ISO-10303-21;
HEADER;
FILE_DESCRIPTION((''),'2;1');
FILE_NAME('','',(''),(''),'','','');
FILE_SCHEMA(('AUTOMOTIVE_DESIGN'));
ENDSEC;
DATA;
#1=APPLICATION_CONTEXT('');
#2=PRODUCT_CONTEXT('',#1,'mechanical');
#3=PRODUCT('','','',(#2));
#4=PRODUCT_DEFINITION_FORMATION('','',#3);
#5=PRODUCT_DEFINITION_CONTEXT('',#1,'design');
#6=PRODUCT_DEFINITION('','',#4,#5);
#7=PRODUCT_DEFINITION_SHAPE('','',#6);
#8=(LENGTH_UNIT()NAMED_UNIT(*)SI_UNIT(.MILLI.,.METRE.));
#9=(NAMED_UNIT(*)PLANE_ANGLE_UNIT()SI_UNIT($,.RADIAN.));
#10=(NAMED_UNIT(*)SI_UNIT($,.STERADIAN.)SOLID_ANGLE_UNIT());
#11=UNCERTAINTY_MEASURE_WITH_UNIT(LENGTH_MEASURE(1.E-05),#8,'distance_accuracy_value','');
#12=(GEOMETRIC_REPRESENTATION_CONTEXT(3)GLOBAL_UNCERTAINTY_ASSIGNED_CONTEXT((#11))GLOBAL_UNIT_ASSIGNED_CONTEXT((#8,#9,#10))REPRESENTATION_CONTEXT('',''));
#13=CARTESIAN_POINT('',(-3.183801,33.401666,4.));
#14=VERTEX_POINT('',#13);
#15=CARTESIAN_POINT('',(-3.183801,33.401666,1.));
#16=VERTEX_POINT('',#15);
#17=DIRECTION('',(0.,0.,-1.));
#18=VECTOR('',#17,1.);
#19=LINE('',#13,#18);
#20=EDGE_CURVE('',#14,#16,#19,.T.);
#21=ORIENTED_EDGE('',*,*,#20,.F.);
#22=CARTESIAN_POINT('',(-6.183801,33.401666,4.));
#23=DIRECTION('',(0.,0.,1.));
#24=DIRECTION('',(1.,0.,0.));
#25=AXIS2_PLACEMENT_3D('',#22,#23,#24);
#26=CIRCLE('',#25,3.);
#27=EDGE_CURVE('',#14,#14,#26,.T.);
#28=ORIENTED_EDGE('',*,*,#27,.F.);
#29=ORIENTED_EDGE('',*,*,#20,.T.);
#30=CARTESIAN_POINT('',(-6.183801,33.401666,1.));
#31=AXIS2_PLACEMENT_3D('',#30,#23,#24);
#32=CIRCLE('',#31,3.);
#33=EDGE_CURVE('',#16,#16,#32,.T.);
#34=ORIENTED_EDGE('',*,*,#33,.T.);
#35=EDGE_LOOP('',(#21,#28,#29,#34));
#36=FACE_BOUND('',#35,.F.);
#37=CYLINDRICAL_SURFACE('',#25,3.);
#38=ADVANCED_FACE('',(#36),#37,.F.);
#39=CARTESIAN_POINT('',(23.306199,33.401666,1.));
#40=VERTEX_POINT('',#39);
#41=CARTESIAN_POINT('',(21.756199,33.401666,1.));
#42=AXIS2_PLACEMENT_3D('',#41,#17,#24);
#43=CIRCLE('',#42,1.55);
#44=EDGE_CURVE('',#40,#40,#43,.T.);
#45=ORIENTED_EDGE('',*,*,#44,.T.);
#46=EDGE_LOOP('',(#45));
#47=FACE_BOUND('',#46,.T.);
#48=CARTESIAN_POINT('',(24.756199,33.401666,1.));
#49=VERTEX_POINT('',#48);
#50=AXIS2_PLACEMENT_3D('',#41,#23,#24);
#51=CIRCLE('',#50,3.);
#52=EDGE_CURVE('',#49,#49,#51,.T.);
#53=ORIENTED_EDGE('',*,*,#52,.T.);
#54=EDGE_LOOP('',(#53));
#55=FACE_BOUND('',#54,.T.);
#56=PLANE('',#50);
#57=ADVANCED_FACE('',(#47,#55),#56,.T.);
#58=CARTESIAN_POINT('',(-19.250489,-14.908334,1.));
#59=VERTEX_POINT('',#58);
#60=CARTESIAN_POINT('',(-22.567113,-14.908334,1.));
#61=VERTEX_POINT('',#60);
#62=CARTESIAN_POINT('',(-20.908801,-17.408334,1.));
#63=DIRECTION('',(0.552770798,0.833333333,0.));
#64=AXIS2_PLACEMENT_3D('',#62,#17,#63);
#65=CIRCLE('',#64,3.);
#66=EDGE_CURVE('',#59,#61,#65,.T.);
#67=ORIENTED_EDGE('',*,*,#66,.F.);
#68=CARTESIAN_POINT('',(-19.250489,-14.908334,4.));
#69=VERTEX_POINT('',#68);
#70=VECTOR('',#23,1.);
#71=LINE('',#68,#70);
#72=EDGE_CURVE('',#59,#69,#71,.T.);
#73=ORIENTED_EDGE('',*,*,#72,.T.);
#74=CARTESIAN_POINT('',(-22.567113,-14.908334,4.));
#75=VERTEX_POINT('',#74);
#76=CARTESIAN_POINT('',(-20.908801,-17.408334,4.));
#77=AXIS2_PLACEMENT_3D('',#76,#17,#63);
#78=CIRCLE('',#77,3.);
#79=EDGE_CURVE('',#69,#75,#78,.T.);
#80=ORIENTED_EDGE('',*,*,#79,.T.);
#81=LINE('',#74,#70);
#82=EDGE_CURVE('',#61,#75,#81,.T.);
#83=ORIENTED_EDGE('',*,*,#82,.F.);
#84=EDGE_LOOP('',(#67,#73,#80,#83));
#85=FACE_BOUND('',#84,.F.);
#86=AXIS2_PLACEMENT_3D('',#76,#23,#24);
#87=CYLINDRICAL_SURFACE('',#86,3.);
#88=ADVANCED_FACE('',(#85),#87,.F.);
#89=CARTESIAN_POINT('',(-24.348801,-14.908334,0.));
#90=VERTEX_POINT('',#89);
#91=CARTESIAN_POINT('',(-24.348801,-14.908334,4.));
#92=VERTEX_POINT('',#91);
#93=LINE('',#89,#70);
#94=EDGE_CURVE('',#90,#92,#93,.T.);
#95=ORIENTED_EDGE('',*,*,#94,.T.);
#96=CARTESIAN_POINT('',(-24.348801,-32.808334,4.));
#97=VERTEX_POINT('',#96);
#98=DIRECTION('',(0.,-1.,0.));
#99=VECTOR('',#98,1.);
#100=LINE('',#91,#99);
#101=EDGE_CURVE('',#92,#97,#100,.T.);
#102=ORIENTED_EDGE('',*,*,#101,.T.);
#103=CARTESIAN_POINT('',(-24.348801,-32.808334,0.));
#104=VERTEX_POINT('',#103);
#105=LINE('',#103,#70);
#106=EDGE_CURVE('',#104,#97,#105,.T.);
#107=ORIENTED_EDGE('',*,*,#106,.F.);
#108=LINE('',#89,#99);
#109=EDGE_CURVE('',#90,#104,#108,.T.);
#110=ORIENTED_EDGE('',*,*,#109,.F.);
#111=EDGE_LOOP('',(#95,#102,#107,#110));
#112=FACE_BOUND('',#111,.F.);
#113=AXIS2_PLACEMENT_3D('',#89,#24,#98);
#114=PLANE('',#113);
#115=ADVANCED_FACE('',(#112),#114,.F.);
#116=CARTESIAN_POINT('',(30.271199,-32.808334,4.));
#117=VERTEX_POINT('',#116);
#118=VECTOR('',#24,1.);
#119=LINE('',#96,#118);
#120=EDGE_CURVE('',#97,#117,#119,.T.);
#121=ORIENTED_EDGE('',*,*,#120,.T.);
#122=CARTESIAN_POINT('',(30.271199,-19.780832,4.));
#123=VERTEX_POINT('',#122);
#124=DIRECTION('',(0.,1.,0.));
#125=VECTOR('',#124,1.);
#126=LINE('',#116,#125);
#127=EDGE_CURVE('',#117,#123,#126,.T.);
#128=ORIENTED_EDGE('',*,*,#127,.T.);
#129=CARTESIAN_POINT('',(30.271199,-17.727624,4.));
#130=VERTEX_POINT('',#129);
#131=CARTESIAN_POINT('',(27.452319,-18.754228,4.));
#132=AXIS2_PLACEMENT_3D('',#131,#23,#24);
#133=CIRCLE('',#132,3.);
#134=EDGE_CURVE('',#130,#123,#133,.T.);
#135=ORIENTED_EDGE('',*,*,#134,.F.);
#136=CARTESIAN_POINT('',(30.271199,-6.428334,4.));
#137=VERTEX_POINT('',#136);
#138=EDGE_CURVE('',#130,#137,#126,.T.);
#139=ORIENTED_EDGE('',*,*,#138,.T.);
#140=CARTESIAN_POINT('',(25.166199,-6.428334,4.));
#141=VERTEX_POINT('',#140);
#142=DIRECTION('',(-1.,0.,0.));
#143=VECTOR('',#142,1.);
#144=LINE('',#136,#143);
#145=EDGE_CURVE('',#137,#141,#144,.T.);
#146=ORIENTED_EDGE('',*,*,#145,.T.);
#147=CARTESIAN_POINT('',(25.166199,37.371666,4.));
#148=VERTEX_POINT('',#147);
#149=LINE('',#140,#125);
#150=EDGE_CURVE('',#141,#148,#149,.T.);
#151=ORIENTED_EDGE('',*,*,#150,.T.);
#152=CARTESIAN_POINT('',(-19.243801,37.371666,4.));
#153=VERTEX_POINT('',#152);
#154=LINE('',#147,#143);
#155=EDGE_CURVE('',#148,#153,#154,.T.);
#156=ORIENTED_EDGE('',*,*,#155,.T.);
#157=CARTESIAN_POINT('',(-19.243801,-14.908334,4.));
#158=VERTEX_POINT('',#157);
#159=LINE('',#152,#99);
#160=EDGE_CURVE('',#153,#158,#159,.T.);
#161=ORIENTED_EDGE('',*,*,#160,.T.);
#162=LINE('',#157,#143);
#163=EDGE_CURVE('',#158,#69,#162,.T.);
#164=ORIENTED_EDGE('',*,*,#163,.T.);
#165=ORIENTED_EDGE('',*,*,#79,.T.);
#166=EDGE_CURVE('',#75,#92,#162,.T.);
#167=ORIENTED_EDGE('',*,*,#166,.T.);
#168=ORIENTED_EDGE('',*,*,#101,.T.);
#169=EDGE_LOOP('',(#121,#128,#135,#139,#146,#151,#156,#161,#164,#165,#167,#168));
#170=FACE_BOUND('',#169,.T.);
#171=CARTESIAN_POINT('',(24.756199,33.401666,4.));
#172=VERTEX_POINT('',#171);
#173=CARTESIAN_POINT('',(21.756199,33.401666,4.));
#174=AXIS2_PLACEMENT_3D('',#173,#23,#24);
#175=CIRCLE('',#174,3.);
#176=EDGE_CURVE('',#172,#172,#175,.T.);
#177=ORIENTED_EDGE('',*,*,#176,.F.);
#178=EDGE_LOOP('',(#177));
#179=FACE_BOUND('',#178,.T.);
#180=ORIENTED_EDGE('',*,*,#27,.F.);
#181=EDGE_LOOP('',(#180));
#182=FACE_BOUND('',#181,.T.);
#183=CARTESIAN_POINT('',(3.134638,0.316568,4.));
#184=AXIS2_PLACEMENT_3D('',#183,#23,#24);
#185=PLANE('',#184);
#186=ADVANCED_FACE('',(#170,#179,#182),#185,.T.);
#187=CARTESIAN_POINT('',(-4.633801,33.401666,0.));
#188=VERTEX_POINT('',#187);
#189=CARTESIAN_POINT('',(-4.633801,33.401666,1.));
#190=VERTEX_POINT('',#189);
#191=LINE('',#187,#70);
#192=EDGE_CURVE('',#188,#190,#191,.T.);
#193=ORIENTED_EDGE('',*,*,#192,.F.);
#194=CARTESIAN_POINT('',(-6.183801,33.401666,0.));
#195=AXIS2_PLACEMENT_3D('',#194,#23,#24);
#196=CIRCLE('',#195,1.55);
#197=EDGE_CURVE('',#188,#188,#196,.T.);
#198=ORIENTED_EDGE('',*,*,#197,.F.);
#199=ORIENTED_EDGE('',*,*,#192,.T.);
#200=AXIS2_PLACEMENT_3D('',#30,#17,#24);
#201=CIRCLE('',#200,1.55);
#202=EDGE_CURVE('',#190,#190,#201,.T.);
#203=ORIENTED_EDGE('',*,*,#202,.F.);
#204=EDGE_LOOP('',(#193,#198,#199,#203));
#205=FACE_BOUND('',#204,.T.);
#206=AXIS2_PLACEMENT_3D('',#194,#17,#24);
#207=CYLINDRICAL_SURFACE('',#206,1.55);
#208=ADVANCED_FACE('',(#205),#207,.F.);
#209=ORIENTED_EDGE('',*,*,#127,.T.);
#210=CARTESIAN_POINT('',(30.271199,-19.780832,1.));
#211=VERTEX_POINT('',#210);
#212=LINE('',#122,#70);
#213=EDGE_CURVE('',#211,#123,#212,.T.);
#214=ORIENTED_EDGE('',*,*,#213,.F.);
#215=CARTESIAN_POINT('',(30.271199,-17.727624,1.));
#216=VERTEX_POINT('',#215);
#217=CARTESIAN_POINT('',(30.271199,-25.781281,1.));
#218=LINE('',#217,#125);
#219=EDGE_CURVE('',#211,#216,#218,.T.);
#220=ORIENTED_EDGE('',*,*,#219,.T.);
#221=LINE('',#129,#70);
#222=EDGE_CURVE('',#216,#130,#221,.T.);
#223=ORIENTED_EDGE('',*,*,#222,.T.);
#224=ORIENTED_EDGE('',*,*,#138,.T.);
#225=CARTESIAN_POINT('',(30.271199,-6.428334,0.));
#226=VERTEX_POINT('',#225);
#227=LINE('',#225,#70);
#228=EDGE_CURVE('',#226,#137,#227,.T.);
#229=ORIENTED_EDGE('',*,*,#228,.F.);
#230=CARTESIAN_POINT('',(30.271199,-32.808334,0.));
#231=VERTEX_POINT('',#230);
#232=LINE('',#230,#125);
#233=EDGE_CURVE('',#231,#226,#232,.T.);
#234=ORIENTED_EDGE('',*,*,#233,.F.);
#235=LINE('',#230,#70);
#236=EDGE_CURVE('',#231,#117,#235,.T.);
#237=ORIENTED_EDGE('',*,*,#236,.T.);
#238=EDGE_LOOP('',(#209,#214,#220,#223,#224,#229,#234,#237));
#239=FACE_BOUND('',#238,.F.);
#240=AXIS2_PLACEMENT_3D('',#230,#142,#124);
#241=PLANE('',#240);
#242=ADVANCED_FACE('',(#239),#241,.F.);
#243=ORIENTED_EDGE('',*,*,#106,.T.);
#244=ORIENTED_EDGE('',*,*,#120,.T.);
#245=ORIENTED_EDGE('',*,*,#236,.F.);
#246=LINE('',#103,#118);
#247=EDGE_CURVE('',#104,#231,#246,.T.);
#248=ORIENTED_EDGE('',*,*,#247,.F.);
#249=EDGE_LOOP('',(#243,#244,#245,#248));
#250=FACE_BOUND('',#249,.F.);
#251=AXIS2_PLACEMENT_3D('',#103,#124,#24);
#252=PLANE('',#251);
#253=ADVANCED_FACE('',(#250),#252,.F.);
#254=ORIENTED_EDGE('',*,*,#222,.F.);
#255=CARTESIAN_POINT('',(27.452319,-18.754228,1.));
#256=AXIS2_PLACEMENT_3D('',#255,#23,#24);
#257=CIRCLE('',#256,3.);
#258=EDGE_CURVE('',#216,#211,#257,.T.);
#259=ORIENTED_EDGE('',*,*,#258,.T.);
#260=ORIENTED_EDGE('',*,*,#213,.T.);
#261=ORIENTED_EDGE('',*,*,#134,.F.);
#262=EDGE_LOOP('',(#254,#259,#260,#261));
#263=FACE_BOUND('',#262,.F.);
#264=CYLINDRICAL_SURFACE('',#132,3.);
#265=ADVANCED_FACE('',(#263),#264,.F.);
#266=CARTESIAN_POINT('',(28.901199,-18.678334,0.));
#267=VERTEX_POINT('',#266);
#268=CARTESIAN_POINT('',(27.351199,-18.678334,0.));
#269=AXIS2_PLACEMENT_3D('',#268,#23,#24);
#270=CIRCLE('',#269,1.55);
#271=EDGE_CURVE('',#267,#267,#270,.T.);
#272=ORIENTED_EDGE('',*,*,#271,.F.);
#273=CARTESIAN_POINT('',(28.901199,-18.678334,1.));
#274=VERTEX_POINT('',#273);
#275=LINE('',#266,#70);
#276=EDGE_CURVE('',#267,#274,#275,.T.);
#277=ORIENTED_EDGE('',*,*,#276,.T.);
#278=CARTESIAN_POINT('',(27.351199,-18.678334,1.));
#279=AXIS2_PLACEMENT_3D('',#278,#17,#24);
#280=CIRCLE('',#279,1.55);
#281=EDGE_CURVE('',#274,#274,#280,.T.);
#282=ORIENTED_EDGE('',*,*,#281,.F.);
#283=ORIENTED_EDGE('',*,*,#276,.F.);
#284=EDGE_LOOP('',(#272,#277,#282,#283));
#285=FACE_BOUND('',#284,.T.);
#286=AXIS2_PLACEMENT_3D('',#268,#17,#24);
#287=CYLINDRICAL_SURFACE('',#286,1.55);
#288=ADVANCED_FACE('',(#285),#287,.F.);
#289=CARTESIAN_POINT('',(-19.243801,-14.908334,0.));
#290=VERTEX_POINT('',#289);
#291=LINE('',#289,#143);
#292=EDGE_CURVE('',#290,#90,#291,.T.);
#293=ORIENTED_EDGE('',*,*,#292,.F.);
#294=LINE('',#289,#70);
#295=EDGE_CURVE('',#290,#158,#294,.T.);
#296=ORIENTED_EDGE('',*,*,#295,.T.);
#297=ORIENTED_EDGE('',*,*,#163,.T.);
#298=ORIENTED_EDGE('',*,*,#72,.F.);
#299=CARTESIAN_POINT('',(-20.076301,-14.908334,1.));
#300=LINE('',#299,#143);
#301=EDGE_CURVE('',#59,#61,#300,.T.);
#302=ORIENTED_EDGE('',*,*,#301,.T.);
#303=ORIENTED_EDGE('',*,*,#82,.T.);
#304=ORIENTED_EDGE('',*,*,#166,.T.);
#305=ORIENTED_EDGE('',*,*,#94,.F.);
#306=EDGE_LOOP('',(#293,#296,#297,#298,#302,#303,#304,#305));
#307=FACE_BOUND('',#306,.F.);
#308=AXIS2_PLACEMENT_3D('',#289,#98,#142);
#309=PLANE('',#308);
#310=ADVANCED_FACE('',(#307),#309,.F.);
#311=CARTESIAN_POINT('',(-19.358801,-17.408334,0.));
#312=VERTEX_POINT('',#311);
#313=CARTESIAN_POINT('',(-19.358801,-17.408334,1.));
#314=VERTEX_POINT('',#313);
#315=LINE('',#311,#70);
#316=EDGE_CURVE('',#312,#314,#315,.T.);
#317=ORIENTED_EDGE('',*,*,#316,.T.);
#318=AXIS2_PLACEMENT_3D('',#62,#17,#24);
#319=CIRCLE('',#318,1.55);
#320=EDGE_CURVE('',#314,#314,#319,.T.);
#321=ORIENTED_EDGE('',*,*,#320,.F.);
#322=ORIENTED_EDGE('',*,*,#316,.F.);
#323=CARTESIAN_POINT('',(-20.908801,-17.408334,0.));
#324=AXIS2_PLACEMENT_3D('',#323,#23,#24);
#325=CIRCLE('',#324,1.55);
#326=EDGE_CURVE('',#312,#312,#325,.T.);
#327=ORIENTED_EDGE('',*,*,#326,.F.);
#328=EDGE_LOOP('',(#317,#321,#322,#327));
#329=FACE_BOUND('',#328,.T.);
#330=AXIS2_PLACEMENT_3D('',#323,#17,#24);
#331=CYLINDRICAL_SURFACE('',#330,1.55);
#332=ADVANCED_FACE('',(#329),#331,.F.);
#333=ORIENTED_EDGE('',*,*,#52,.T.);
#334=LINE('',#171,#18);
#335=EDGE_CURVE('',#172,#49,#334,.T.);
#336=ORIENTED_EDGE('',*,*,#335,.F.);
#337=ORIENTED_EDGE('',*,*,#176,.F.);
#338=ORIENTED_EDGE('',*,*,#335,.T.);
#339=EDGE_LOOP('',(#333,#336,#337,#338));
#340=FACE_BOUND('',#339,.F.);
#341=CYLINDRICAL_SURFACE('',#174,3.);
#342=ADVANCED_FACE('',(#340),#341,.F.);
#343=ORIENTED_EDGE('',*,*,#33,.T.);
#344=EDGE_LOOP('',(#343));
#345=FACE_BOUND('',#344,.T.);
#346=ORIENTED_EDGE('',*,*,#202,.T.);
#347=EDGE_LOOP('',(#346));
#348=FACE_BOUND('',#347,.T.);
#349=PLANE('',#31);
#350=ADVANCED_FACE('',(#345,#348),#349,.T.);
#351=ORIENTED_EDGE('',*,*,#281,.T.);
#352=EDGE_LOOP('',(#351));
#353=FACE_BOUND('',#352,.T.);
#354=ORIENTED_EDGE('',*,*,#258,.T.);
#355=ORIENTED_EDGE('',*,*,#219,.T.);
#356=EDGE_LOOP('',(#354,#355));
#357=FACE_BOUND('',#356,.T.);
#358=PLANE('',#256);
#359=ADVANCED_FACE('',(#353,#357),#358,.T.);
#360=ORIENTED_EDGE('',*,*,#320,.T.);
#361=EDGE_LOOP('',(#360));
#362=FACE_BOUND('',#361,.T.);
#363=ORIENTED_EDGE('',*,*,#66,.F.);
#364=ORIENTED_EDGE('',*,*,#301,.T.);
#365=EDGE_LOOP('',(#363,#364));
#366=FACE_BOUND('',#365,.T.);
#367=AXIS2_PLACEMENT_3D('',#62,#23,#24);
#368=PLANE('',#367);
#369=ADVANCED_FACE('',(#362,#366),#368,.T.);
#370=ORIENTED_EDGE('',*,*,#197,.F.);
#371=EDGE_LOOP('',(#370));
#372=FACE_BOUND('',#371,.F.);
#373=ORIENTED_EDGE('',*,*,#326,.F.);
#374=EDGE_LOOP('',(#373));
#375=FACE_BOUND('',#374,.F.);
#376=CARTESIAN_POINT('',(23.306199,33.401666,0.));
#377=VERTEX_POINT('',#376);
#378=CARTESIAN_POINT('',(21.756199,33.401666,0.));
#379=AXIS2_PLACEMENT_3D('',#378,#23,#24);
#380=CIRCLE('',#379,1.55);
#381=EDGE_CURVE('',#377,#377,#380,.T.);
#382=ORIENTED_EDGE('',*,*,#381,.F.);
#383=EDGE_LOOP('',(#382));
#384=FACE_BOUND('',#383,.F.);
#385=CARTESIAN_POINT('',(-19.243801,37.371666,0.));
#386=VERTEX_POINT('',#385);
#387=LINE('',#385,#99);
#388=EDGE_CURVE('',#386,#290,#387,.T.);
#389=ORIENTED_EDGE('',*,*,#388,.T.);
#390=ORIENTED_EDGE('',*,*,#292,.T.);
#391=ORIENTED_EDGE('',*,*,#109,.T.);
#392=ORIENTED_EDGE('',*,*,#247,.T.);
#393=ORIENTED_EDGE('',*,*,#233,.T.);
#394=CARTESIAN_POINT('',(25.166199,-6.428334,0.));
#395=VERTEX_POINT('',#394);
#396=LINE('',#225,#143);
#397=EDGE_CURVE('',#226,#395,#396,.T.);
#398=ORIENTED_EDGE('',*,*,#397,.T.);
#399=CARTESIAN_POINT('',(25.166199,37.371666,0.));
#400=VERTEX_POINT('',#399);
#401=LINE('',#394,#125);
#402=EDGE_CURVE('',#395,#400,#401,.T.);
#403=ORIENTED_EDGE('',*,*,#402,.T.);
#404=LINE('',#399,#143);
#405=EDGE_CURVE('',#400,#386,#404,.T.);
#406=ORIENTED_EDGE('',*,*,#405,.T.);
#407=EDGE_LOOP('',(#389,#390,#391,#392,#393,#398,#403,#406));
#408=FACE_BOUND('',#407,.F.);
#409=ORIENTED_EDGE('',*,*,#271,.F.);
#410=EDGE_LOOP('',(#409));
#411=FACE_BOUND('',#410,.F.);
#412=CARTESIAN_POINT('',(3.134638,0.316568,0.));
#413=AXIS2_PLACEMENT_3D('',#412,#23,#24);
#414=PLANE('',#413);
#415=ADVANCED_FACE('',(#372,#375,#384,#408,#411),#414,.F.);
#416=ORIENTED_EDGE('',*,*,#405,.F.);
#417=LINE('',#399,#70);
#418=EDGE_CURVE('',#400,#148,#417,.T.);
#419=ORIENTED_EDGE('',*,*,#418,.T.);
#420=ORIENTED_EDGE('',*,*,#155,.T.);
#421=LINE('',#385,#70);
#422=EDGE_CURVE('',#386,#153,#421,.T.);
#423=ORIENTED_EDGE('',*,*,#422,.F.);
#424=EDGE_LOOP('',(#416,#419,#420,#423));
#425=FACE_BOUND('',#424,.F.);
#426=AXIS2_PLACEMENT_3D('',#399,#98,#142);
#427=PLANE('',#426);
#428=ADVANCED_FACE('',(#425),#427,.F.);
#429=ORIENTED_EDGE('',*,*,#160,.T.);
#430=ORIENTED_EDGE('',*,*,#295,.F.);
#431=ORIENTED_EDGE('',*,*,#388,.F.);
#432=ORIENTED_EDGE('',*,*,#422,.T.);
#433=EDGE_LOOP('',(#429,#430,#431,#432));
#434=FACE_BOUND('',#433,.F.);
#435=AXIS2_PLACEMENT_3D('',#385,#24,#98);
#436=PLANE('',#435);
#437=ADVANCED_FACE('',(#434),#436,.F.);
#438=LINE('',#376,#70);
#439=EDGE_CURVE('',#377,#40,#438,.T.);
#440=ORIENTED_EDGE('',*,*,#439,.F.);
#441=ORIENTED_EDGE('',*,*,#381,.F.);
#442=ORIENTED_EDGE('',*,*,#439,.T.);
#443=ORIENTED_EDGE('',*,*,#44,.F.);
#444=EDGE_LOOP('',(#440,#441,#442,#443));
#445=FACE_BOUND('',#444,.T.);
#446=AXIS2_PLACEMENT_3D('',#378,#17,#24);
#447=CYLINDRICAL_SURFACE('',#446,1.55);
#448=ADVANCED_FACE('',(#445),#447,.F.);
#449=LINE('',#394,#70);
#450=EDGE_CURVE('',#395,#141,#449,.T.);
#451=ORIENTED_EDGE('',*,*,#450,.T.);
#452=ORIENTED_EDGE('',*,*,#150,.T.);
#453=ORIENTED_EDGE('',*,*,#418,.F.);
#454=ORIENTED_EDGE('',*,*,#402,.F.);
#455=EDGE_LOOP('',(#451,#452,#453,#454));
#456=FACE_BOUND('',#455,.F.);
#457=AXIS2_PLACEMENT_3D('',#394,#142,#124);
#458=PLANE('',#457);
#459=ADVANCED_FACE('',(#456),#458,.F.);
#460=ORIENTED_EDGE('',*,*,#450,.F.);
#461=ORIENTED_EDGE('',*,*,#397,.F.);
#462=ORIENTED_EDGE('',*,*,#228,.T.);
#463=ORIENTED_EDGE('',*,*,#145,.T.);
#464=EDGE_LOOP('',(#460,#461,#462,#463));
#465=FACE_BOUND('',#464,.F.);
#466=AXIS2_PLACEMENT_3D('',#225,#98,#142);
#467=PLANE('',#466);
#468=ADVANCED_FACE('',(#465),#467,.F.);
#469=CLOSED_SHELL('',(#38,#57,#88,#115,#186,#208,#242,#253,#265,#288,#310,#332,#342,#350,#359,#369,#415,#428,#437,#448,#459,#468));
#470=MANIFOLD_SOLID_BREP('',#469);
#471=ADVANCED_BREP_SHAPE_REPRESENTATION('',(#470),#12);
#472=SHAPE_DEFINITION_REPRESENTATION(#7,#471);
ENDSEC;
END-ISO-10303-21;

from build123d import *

# Parameters (mm, degrees)
F0_R     = 1.55
F1_DEPTH = 4
F2_R     = 3
F3_DEPTH = 3


with BuildPart() as f1:
    # F0 (on Top) → F1 (new body)
    with BuildSketch(Plane.XY):
        Polygon((25.166199, 37.371666), (-19.243801, 37.371666), (-19.243801, -14.908334), (-24.348801, -14.908334), (-24.348801, -32.808334), (30.271199, -32.808334), (30.271199, -6.428334), (25.166199, -6.428334), align=None)
        with Locations((-20.908801, -17.408334)):
            Circle(F0_R, mode=Mode.SUBTRACT)
        with Locations((27.351199, -18.678334)):
            Circle(F0_R, mode=Mode.SUBTRACT)
        with Locations((-6.183801, 33.401666)):
            Circle(F0_R, mode=Mode.SUBTRACT)
        with Locations((21.756199, 33.401666)):
            Circle(F0_R, mode=Mode.SUBTRACT)
    extrude(amount=F1_DEPTH)

    # F2 (on face) → F3 (cut)
    with BuildSketch(Plane.XY.offset(4)):
        with Locations((-20.908801, -17.408334)):
            Circle(F2_R)
        with Locations((27.452319, -18.754228)):
            Circle(F2_R)
        with Locations((-6.183801, 33.401666)):
            Circle(F2_R)
        with Locations((21.756199, 33.401666)):
            Circle(F2_R)
    extrude(amount=-F3_DEPTH, mode=Mode.SUBTRACT)


solid = f1.part
